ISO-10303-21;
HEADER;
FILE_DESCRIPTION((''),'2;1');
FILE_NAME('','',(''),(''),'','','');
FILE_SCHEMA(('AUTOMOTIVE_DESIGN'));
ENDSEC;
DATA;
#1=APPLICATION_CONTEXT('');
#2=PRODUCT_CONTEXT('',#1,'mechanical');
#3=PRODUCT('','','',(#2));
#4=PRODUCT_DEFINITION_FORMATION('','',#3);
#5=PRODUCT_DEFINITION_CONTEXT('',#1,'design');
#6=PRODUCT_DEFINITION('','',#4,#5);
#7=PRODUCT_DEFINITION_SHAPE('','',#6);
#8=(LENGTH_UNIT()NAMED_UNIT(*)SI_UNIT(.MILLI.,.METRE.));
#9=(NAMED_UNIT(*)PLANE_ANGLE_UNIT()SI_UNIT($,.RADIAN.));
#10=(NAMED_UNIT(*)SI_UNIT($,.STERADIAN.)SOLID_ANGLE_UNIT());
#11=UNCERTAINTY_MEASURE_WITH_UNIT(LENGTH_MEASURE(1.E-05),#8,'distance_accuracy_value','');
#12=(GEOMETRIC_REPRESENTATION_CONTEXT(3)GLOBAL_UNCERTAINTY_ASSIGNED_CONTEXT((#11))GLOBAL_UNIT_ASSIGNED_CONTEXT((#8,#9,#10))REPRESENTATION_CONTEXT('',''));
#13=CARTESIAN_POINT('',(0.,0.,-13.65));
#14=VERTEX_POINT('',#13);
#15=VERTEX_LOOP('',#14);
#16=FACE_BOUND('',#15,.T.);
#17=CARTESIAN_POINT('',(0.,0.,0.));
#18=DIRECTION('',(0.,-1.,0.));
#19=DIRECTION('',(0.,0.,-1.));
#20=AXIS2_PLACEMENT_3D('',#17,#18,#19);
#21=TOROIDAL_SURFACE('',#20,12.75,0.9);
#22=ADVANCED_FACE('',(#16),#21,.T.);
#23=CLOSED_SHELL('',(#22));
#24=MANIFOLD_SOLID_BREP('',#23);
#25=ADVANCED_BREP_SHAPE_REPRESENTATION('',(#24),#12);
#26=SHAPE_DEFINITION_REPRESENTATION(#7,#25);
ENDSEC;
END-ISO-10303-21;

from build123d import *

# Parameters (mm, degrees)
SKETCH1_R = 0.9


with BuildPart() as part:
    # Sketch1 → Revolve1 (revolve)
    with BuildSketch(Plane(origin=(0, 0, 0), x_dir=(0, 0, -1), z_dir=(1, 0, 0)), mode=Mode.PRIVATE) as revolve1_sk:
        with Locations((-12.75, 0)):
            Circle(SKETCH1_R)
    revolve(revolve1_sk.sketch.rotate(Axis((0, -6.843396226, 0), (0, 1, 0)), 180), axis=Axis((0, -6.843396226, 0), (0, 1, 0)))


solid = part.part
